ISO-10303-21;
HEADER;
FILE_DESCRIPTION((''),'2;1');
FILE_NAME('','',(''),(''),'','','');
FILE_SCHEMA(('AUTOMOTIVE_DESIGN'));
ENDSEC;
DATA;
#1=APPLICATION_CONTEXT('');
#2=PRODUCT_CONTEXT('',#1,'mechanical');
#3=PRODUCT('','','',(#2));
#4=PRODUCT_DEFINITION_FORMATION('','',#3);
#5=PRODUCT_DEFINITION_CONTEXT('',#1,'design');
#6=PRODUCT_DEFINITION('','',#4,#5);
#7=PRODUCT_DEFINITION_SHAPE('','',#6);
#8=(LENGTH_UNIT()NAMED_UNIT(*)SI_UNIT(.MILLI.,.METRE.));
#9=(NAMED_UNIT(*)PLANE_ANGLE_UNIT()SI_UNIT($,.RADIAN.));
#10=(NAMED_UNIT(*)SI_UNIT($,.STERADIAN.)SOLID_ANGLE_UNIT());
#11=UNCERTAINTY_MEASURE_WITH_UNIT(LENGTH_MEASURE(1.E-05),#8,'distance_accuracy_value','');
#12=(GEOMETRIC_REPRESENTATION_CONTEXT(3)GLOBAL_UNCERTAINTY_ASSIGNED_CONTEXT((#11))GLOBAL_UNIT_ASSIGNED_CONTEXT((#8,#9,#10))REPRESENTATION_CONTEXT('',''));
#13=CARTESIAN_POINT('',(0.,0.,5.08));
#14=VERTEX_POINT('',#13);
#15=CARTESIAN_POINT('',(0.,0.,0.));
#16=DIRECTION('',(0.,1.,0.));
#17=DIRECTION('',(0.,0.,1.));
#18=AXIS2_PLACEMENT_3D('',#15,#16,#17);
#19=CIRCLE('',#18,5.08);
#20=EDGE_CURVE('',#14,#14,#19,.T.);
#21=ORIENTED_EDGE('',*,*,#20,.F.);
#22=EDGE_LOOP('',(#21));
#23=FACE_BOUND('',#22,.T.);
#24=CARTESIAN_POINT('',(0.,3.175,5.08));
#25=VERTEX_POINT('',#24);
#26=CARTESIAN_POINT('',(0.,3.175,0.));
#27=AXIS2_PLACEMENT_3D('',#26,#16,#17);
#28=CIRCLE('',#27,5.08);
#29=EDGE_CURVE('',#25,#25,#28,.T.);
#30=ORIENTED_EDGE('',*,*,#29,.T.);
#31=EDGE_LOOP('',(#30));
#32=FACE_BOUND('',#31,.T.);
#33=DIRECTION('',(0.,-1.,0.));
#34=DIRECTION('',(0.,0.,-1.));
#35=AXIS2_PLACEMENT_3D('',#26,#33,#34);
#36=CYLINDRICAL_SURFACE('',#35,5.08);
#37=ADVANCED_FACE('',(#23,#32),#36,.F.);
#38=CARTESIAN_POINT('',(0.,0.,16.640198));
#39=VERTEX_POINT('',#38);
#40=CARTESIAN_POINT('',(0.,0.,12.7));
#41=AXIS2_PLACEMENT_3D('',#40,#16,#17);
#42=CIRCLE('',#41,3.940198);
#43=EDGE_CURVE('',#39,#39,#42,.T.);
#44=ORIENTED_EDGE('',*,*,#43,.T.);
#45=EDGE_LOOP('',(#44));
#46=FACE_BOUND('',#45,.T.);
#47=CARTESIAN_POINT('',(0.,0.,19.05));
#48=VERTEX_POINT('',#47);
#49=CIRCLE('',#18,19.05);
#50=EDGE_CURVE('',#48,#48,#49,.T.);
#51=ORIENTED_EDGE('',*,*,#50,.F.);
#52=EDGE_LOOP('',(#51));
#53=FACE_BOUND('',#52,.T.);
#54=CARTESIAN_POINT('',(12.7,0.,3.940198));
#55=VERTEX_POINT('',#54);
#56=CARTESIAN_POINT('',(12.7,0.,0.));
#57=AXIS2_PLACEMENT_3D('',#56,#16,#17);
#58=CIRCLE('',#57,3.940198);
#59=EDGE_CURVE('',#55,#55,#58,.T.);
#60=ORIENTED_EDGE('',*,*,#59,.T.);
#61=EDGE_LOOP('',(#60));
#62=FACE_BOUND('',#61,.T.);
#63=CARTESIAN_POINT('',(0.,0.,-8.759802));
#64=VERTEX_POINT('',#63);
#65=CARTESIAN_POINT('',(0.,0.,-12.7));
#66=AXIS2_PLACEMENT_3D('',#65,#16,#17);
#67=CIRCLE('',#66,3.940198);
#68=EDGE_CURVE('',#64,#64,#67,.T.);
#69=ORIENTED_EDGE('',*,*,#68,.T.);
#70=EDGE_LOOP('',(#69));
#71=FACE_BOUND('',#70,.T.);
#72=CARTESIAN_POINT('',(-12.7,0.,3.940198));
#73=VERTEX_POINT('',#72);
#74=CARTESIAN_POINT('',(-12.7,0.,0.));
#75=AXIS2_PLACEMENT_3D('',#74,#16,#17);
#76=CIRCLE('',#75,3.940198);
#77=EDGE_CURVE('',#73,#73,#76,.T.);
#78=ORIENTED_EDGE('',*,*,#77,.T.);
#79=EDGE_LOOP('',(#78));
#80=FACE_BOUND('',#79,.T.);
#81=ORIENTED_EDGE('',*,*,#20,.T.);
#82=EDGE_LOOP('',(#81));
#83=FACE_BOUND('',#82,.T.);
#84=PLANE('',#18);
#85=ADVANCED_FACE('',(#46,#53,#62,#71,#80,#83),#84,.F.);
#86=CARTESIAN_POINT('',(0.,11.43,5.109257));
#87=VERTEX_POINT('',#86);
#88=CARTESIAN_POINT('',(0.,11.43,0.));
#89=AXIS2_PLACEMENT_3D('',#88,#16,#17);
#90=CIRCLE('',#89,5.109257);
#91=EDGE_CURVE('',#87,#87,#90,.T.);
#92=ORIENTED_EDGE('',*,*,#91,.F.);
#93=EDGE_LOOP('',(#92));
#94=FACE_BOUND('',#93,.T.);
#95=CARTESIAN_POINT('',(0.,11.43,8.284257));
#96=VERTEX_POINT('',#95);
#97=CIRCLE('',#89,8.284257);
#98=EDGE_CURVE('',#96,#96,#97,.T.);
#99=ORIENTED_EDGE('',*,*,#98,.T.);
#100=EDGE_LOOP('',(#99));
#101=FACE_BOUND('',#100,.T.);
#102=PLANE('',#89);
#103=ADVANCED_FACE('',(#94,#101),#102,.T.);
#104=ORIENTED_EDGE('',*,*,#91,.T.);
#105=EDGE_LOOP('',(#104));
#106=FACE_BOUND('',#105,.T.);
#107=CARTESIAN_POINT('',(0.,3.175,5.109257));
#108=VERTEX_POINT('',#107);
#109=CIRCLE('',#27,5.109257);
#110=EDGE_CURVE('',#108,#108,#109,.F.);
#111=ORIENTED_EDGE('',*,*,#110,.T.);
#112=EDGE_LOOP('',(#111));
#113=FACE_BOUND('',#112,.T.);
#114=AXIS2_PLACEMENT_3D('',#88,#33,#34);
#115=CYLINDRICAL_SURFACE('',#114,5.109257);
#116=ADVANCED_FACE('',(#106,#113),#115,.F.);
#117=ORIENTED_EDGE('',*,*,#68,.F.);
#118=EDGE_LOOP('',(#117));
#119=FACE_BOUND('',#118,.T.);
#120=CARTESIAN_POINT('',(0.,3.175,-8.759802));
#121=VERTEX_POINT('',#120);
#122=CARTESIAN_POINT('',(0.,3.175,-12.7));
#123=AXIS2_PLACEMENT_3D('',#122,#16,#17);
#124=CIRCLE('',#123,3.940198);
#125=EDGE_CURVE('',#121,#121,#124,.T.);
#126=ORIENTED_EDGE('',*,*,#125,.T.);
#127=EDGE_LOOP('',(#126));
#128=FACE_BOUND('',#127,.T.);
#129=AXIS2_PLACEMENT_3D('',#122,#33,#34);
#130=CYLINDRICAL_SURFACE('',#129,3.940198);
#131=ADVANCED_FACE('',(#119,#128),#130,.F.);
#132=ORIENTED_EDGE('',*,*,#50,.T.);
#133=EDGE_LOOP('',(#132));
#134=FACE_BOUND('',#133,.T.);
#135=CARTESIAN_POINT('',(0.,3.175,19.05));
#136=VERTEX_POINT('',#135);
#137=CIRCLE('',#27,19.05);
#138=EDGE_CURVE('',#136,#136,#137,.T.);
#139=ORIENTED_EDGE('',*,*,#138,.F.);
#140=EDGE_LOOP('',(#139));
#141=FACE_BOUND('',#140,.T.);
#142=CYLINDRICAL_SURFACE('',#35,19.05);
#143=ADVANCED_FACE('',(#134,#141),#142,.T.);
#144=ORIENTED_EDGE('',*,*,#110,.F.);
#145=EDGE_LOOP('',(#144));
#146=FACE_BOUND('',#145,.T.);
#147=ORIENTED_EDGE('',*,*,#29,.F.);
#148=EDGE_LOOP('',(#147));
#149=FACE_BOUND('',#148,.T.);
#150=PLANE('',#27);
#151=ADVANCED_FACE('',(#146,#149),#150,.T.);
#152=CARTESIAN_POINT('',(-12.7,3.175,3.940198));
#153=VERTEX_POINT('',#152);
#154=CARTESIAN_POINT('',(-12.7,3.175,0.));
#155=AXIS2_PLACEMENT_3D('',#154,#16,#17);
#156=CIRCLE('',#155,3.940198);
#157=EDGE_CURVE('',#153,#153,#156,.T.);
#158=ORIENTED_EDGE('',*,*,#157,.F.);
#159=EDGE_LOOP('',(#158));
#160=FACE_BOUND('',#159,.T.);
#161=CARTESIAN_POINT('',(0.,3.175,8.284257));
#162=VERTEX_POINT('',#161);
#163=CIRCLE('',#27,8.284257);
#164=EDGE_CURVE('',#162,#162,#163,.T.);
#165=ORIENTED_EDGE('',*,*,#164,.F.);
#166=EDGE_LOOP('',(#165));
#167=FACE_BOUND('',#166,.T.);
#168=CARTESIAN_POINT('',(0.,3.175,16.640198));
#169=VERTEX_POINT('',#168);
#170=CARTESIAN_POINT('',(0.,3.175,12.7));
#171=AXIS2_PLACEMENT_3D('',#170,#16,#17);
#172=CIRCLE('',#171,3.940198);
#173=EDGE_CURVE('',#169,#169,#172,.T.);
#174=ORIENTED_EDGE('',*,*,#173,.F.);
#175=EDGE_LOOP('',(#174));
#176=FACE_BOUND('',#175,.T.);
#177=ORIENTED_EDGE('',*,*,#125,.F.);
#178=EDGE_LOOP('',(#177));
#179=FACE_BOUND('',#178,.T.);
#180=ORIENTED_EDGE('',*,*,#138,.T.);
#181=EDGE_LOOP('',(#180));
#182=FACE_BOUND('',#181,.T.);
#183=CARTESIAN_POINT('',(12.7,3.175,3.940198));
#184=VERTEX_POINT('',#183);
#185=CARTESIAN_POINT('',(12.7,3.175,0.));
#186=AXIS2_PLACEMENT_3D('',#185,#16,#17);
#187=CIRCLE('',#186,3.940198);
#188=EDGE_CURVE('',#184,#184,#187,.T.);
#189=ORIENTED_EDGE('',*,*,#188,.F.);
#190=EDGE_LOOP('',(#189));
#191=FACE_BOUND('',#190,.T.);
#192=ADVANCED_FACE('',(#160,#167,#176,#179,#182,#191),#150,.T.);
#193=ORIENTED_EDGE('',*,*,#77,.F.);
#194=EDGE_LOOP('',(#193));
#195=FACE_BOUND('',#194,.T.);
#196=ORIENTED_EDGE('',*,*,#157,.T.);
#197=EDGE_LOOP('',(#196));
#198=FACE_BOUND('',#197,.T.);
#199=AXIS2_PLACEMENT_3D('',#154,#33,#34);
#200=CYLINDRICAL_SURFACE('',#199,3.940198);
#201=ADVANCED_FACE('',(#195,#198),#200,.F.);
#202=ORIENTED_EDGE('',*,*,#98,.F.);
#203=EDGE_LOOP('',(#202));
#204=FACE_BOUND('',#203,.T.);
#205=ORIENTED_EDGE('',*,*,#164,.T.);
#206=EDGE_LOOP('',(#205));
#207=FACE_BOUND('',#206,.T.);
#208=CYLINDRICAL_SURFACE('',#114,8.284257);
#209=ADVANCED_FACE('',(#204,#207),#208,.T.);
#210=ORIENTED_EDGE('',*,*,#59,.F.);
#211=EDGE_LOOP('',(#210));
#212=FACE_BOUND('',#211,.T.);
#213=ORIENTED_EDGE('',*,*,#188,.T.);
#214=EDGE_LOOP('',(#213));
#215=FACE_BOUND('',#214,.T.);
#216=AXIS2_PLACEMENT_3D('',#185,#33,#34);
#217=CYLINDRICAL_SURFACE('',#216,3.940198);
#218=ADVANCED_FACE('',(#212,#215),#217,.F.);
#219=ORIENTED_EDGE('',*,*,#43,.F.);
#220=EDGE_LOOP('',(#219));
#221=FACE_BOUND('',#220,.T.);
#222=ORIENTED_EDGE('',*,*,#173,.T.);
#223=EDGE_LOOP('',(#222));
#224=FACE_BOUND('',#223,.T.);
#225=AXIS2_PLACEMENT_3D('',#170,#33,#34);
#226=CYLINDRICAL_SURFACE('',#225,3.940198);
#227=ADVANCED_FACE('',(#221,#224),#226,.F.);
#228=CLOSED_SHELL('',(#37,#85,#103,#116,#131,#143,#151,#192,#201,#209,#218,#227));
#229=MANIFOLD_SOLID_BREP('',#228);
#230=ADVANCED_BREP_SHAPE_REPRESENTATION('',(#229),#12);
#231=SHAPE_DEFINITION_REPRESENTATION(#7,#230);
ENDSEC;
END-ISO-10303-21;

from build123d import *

# Parameters (mm, degrees)
SKETCH1_R           = 19.05
SKETCH1_R_2         = 5.08
SKETCH1_R_3         = 3.940198068
BOSS_EXTRUDE1_DEPTH = 3.175
SKETCH2_R           = 8.284256576
SKETCH2_R_2         = 5.109256576
BOSS_EXTRUDE2_DEPTH = 8.255


with BuildPart() as part:
    # Sketch1 → Boss-Extrude1 (new body)
    with BuildSketch(Plane(origin=(0, 0, 0), x_dir=(1, 0, 0), z_dir=(0, 1, 0))):
        Circle(SKETCH1_R)
        Circle(SKETCH1_R_2, mode=Mode.SUBTRACT)
        with Locations((0, 12.7)):
            Circle(SKETCH1_R_3, mode=Mode.SUBTRACT)
        with Locations((12.7, 0)):
            Circle(SKETCH1_R_3, mode=Mode.SUBTRACT)
        with Locations((0, -12.7)):
            Circle(SKETCH1_R_3, mode=Mode.SUBTRACT)
        with Locations((-12.7, 0)):
            Circle(SKETCH1_R_3, mode=Mode.SUBTRACT)
    extrude(amount=BOSS_EXTRUDE1_DEPTH)

    # Sketch2 → Boss-Extrude2 (add)
    with BuildSketch(Plane(origin=(0, 3.175, 0), x_dir=(1, 0, 0), z_dir=(0, 1, 0))):
        Circle(SKETCH2_R)
        Circle(SKETCH2_R_2, mode=Mode.SUBTRACT)
    extrude(amount=BOSS_EXTRUDE2_DEPTH)


solid = part.part
